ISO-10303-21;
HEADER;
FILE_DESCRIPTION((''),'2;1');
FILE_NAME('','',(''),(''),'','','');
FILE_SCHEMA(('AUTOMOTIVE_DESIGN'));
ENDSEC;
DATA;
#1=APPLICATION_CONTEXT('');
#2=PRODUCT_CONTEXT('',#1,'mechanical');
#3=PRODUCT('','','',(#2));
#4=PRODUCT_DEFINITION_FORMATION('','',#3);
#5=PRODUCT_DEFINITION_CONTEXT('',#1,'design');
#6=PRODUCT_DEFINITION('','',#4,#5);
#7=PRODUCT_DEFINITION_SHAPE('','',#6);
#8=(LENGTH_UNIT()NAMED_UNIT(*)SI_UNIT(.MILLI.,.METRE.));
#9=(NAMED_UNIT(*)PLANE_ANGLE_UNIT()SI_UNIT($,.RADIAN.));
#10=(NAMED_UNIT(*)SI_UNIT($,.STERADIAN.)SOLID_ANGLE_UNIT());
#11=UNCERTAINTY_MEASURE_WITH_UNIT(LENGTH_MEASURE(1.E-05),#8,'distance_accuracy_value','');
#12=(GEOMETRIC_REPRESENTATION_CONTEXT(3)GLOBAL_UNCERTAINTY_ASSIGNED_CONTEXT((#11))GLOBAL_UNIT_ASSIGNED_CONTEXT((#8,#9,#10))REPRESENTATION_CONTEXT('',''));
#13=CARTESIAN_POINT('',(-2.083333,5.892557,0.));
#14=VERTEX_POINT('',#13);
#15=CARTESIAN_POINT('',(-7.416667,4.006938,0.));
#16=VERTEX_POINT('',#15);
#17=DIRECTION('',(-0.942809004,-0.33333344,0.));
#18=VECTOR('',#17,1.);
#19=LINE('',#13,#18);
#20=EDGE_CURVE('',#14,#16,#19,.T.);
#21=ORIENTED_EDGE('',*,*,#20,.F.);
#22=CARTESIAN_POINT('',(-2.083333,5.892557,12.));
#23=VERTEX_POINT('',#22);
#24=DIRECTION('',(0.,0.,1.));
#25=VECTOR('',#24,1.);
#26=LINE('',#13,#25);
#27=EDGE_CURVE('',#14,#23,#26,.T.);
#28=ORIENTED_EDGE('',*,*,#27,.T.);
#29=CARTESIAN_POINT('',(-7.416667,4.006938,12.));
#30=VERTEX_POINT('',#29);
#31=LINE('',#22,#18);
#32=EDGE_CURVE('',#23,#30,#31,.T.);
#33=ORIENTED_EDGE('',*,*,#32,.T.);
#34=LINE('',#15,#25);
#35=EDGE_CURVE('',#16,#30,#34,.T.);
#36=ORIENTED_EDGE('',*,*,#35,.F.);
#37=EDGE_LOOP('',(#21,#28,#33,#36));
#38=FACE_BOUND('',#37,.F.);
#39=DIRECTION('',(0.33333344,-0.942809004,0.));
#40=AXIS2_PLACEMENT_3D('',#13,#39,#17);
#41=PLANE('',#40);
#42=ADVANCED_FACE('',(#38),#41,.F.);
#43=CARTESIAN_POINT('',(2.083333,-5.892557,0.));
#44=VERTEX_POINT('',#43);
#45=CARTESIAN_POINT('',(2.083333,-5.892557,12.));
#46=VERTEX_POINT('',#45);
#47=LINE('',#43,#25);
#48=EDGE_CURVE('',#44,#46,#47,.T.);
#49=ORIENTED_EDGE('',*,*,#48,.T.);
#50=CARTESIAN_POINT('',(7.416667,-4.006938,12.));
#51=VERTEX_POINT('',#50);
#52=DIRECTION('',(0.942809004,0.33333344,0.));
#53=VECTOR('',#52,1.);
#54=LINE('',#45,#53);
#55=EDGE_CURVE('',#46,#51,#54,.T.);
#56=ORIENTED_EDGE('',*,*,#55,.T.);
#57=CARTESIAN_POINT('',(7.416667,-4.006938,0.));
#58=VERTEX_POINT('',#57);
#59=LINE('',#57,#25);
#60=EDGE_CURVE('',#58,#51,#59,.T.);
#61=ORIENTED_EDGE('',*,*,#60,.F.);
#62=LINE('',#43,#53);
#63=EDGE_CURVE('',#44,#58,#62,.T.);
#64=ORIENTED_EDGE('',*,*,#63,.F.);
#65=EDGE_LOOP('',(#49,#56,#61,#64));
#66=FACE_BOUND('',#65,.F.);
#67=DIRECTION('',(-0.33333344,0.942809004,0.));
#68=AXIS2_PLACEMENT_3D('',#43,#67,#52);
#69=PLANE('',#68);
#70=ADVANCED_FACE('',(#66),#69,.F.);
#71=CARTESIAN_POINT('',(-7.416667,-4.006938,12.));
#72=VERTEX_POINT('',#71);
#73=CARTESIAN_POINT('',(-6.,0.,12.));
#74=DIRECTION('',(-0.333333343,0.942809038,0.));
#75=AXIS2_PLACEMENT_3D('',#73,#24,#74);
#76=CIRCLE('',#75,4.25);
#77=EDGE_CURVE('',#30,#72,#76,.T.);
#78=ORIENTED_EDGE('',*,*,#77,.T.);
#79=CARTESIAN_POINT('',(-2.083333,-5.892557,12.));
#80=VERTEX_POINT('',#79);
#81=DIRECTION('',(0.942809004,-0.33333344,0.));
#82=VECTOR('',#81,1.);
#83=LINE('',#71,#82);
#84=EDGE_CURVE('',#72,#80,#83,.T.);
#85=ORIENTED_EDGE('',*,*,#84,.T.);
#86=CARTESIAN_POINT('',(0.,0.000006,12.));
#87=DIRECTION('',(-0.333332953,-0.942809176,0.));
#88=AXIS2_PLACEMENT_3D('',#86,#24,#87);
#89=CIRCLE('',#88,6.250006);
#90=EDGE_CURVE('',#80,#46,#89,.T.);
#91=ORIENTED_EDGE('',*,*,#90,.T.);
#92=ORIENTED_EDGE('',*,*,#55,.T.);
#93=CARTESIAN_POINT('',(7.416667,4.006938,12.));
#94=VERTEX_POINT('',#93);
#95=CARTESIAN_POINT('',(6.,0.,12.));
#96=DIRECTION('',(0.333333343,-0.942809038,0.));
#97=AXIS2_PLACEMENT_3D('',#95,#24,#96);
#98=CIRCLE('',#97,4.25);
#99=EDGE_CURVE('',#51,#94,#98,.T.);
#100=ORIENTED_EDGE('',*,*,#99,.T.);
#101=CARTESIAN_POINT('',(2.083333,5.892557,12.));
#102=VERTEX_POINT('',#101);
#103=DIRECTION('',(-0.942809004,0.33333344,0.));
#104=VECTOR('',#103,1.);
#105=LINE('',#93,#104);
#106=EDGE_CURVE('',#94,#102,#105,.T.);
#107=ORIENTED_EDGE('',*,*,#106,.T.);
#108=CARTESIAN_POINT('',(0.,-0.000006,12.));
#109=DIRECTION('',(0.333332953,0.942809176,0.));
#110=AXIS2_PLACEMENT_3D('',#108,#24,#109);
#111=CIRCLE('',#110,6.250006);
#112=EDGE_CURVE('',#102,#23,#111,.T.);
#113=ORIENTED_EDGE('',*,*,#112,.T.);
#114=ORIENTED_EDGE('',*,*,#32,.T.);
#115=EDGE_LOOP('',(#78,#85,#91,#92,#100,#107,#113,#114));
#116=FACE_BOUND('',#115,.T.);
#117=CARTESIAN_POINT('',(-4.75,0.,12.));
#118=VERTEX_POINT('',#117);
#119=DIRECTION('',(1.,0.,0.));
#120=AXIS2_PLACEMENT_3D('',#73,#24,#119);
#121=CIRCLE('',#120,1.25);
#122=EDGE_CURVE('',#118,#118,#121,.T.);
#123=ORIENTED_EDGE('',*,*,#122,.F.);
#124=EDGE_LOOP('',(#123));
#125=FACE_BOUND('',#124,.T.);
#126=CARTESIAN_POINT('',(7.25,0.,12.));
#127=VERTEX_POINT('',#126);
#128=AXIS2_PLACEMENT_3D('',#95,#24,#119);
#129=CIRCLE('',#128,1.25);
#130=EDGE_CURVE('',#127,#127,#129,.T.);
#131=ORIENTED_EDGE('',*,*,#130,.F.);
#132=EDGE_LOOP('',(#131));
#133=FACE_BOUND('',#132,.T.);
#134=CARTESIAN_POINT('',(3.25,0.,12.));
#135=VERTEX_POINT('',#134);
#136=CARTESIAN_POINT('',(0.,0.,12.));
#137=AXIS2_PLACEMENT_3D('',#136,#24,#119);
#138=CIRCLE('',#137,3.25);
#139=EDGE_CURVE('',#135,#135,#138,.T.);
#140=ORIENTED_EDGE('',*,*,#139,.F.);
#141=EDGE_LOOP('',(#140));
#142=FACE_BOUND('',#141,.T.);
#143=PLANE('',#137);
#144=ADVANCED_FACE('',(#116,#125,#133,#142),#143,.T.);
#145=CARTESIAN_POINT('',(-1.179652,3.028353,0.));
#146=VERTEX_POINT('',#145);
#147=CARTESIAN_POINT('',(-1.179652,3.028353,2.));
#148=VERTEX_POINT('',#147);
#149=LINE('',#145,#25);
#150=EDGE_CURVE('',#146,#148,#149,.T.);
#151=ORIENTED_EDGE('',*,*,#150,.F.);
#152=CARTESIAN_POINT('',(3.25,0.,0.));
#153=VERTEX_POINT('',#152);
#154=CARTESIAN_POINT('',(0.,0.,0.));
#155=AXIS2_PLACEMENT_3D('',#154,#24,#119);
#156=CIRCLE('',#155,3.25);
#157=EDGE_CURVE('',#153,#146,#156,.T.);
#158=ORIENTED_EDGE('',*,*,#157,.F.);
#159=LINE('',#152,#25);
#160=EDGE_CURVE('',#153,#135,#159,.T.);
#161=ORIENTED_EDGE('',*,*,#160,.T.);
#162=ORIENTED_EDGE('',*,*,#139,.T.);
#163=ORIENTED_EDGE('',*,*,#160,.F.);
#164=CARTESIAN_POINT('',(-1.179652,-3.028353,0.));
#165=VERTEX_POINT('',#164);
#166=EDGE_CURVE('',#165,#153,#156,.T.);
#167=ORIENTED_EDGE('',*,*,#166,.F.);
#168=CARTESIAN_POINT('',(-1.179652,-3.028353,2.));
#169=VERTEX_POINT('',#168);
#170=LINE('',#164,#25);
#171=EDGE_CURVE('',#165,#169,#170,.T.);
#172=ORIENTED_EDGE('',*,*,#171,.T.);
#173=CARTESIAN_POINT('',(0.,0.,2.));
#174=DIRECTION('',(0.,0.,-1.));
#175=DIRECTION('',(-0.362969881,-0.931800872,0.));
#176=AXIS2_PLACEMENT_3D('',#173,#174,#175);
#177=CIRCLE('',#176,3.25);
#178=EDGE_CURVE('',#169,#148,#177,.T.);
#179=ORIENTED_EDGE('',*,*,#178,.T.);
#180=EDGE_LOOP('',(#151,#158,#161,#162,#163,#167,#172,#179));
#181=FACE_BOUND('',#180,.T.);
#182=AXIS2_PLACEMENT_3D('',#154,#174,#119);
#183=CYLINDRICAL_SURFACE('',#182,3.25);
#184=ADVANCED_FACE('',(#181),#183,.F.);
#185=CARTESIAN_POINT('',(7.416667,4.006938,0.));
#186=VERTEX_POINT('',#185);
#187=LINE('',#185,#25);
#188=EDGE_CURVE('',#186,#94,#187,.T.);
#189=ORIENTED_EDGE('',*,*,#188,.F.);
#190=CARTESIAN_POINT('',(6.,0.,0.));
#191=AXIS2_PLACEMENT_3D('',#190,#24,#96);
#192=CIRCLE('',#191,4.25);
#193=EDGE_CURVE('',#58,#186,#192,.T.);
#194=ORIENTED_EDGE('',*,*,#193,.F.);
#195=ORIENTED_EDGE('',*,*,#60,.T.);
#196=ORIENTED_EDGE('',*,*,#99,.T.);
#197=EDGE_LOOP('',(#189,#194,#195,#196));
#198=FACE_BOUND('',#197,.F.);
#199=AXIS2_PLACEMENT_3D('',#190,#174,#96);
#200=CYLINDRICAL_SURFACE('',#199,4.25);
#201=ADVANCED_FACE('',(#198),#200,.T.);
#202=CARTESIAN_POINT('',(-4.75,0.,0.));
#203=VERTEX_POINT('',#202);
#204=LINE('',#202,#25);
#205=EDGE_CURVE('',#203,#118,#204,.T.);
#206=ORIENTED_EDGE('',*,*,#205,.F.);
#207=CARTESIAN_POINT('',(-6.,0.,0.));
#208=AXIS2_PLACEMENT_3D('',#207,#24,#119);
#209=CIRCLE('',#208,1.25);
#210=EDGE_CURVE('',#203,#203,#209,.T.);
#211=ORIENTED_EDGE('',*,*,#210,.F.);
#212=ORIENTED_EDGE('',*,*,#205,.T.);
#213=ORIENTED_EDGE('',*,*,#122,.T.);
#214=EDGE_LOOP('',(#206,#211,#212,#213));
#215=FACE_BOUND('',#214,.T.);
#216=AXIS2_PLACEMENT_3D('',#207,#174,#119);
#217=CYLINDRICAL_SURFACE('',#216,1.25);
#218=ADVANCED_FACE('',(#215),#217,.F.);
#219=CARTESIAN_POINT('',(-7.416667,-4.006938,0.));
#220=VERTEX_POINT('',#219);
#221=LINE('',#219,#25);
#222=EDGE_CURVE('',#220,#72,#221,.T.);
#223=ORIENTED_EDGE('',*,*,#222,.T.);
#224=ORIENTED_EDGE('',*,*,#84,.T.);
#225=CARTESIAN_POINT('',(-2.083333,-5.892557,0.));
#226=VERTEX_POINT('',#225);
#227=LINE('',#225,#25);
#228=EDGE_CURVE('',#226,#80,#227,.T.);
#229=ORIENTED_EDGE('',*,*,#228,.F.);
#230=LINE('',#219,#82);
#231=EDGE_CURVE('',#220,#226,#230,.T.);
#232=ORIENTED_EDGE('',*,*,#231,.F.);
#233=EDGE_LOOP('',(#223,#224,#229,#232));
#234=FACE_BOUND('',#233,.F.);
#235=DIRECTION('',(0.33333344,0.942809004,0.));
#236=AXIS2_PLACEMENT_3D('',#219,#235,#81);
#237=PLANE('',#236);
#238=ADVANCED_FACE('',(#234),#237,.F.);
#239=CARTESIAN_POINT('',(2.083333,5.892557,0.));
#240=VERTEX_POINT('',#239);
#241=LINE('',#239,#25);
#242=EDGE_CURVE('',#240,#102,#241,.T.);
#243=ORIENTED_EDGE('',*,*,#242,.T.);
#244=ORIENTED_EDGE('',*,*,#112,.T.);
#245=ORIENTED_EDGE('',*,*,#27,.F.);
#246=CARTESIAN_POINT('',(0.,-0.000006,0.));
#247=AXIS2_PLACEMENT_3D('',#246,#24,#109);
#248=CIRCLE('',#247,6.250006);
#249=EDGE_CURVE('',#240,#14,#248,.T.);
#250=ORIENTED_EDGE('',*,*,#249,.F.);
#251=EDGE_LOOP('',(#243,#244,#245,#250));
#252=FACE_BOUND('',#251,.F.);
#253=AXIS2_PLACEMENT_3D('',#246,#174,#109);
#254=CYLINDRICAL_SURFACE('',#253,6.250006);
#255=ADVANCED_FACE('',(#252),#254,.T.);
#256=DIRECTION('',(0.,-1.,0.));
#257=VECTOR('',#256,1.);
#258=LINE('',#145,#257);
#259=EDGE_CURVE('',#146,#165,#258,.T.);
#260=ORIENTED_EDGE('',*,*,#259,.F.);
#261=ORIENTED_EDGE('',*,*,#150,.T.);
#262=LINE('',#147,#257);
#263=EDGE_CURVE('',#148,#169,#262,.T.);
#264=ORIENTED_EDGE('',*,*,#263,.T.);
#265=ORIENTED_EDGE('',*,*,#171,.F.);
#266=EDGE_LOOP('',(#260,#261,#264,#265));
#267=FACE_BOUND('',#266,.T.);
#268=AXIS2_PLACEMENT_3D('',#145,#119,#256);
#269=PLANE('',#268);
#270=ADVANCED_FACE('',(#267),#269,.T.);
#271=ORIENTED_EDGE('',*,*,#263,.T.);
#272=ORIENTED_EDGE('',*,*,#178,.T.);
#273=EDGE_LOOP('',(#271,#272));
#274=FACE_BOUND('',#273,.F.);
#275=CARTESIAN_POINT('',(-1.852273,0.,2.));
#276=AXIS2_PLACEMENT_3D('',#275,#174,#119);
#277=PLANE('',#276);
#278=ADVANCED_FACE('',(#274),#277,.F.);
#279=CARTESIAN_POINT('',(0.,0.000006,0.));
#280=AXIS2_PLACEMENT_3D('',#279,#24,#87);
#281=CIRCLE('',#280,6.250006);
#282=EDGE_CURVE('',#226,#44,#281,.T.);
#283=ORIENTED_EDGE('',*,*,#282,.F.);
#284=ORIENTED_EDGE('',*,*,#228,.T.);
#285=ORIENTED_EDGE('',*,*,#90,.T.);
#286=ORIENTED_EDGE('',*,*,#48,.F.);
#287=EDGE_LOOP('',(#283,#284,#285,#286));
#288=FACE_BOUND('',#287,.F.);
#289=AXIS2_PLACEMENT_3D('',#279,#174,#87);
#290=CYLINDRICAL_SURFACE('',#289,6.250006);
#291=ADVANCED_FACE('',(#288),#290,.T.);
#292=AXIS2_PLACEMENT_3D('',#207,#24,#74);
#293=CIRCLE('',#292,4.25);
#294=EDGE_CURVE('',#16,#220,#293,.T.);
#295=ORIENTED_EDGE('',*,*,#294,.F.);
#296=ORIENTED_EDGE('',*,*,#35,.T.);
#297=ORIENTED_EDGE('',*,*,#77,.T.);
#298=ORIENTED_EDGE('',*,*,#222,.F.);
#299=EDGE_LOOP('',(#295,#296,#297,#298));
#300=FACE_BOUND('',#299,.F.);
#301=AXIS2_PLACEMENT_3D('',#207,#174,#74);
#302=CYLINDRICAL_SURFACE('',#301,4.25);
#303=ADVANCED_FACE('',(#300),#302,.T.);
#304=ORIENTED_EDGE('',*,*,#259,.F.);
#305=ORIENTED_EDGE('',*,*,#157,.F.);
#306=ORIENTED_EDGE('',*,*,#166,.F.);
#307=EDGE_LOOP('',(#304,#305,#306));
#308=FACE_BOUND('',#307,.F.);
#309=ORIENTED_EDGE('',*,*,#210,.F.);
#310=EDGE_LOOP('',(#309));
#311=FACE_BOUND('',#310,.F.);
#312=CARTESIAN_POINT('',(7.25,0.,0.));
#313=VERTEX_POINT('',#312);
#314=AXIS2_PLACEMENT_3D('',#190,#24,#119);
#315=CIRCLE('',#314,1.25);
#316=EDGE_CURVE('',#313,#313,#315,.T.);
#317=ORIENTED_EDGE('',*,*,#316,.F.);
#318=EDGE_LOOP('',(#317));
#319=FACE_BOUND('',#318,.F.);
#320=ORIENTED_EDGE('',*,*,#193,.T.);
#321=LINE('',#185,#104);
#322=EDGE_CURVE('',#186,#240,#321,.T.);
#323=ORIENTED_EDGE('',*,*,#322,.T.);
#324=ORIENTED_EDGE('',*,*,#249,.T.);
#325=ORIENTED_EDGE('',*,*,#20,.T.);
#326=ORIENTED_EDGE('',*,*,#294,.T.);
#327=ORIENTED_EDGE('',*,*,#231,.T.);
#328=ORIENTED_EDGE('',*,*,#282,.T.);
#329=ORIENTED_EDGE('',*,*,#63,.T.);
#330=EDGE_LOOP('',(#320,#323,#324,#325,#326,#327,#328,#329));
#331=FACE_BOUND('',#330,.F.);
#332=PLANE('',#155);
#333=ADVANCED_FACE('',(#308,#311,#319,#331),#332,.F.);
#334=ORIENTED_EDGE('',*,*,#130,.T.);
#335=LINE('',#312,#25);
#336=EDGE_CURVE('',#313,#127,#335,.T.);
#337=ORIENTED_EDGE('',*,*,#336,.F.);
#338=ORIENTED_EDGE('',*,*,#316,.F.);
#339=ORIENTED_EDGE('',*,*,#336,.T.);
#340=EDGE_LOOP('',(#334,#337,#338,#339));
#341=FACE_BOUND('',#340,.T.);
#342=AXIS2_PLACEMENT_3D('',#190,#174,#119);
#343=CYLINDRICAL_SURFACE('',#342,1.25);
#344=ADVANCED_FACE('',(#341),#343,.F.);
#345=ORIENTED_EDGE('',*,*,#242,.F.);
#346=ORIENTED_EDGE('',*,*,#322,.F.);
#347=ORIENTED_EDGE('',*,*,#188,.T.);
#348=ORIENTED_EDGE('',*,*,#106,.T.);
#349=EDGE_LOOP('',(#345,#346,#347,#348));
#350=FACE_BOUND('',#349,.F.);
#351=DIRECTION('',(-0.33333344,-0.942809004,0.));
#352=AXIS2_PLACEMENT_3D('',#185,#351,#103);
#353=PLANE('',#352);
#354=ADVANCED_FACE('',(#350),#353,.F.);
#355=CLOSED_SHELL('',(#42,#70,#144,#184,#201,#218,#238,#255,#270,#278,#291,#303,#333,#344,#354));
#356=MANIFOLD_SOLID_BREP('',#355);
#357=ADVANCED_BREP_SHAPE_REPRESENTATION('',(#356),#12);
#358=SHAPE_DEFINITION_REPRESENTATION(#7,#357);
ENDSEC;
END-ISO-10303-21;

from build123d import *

# Parameters (mm, degrees)
F0_R     = 1.25
F0_R_2   = 3.25
F1_DEPTH = 12
F3_DEPTH = 2


with BuildPart() as f1:
    # F0 (on Top) → F1 (new body)
    with BuildSketch(Plane.XY):
        with BuildLine():
            ThreePointArc((7.416667, -4.006938), (10.25, 0), (7.416667, 4.006938))
            Line((7.416667, 4.006938), (2.083333, 5.892557))
            ThreePointArc((2.083333, 5.892557), (0, 6.25), (-2.083333, 5.892557))
            Line((-2.083333, 5.892557), (-7.416667, 4.006938))
            ThreePointArc((-7.416667, 4.006938), (-10.25, 0), (-7.416667, -4.006938))
            Line((-7.416667, -4.006938), (-2.083333, -5.892557))
            ThreePointArc((-2.083333, -5.892557), (0, -6.25), (2.083333, -5.892557))
            Line((2.083333, -5.892557), (7.416667, -4.006938))
        make_face()
        with Locations((-6, 0)):
            Circle(F0_R, mode=Mode.SUBTRACT)
        Circle(F0_R_2, mode=Mode.SUBTRACT)
        with Locations((6, 0)):
            Circle(F0_R, mode=Mode.SUBTRACT)
    extrude(amount=F1_DEPTH)

    # F2 (on face) → F3 (join)
    with BuildSketch(Plane(origin=(0, 0, 0), x_dir=(1, 0, 0), z_dir=(0, 0, -1))):
        with BuildLine():
            Line((-1.179652, -3.028353), (-1.179652, 3.028353))
            ThreePointArc((-1.179652, 3.028353), (-3.25, 0), (-1.179652, -3.028353))
        make_face()
    extrude(amount=-F3_DEPTH)


solid = f1.part
